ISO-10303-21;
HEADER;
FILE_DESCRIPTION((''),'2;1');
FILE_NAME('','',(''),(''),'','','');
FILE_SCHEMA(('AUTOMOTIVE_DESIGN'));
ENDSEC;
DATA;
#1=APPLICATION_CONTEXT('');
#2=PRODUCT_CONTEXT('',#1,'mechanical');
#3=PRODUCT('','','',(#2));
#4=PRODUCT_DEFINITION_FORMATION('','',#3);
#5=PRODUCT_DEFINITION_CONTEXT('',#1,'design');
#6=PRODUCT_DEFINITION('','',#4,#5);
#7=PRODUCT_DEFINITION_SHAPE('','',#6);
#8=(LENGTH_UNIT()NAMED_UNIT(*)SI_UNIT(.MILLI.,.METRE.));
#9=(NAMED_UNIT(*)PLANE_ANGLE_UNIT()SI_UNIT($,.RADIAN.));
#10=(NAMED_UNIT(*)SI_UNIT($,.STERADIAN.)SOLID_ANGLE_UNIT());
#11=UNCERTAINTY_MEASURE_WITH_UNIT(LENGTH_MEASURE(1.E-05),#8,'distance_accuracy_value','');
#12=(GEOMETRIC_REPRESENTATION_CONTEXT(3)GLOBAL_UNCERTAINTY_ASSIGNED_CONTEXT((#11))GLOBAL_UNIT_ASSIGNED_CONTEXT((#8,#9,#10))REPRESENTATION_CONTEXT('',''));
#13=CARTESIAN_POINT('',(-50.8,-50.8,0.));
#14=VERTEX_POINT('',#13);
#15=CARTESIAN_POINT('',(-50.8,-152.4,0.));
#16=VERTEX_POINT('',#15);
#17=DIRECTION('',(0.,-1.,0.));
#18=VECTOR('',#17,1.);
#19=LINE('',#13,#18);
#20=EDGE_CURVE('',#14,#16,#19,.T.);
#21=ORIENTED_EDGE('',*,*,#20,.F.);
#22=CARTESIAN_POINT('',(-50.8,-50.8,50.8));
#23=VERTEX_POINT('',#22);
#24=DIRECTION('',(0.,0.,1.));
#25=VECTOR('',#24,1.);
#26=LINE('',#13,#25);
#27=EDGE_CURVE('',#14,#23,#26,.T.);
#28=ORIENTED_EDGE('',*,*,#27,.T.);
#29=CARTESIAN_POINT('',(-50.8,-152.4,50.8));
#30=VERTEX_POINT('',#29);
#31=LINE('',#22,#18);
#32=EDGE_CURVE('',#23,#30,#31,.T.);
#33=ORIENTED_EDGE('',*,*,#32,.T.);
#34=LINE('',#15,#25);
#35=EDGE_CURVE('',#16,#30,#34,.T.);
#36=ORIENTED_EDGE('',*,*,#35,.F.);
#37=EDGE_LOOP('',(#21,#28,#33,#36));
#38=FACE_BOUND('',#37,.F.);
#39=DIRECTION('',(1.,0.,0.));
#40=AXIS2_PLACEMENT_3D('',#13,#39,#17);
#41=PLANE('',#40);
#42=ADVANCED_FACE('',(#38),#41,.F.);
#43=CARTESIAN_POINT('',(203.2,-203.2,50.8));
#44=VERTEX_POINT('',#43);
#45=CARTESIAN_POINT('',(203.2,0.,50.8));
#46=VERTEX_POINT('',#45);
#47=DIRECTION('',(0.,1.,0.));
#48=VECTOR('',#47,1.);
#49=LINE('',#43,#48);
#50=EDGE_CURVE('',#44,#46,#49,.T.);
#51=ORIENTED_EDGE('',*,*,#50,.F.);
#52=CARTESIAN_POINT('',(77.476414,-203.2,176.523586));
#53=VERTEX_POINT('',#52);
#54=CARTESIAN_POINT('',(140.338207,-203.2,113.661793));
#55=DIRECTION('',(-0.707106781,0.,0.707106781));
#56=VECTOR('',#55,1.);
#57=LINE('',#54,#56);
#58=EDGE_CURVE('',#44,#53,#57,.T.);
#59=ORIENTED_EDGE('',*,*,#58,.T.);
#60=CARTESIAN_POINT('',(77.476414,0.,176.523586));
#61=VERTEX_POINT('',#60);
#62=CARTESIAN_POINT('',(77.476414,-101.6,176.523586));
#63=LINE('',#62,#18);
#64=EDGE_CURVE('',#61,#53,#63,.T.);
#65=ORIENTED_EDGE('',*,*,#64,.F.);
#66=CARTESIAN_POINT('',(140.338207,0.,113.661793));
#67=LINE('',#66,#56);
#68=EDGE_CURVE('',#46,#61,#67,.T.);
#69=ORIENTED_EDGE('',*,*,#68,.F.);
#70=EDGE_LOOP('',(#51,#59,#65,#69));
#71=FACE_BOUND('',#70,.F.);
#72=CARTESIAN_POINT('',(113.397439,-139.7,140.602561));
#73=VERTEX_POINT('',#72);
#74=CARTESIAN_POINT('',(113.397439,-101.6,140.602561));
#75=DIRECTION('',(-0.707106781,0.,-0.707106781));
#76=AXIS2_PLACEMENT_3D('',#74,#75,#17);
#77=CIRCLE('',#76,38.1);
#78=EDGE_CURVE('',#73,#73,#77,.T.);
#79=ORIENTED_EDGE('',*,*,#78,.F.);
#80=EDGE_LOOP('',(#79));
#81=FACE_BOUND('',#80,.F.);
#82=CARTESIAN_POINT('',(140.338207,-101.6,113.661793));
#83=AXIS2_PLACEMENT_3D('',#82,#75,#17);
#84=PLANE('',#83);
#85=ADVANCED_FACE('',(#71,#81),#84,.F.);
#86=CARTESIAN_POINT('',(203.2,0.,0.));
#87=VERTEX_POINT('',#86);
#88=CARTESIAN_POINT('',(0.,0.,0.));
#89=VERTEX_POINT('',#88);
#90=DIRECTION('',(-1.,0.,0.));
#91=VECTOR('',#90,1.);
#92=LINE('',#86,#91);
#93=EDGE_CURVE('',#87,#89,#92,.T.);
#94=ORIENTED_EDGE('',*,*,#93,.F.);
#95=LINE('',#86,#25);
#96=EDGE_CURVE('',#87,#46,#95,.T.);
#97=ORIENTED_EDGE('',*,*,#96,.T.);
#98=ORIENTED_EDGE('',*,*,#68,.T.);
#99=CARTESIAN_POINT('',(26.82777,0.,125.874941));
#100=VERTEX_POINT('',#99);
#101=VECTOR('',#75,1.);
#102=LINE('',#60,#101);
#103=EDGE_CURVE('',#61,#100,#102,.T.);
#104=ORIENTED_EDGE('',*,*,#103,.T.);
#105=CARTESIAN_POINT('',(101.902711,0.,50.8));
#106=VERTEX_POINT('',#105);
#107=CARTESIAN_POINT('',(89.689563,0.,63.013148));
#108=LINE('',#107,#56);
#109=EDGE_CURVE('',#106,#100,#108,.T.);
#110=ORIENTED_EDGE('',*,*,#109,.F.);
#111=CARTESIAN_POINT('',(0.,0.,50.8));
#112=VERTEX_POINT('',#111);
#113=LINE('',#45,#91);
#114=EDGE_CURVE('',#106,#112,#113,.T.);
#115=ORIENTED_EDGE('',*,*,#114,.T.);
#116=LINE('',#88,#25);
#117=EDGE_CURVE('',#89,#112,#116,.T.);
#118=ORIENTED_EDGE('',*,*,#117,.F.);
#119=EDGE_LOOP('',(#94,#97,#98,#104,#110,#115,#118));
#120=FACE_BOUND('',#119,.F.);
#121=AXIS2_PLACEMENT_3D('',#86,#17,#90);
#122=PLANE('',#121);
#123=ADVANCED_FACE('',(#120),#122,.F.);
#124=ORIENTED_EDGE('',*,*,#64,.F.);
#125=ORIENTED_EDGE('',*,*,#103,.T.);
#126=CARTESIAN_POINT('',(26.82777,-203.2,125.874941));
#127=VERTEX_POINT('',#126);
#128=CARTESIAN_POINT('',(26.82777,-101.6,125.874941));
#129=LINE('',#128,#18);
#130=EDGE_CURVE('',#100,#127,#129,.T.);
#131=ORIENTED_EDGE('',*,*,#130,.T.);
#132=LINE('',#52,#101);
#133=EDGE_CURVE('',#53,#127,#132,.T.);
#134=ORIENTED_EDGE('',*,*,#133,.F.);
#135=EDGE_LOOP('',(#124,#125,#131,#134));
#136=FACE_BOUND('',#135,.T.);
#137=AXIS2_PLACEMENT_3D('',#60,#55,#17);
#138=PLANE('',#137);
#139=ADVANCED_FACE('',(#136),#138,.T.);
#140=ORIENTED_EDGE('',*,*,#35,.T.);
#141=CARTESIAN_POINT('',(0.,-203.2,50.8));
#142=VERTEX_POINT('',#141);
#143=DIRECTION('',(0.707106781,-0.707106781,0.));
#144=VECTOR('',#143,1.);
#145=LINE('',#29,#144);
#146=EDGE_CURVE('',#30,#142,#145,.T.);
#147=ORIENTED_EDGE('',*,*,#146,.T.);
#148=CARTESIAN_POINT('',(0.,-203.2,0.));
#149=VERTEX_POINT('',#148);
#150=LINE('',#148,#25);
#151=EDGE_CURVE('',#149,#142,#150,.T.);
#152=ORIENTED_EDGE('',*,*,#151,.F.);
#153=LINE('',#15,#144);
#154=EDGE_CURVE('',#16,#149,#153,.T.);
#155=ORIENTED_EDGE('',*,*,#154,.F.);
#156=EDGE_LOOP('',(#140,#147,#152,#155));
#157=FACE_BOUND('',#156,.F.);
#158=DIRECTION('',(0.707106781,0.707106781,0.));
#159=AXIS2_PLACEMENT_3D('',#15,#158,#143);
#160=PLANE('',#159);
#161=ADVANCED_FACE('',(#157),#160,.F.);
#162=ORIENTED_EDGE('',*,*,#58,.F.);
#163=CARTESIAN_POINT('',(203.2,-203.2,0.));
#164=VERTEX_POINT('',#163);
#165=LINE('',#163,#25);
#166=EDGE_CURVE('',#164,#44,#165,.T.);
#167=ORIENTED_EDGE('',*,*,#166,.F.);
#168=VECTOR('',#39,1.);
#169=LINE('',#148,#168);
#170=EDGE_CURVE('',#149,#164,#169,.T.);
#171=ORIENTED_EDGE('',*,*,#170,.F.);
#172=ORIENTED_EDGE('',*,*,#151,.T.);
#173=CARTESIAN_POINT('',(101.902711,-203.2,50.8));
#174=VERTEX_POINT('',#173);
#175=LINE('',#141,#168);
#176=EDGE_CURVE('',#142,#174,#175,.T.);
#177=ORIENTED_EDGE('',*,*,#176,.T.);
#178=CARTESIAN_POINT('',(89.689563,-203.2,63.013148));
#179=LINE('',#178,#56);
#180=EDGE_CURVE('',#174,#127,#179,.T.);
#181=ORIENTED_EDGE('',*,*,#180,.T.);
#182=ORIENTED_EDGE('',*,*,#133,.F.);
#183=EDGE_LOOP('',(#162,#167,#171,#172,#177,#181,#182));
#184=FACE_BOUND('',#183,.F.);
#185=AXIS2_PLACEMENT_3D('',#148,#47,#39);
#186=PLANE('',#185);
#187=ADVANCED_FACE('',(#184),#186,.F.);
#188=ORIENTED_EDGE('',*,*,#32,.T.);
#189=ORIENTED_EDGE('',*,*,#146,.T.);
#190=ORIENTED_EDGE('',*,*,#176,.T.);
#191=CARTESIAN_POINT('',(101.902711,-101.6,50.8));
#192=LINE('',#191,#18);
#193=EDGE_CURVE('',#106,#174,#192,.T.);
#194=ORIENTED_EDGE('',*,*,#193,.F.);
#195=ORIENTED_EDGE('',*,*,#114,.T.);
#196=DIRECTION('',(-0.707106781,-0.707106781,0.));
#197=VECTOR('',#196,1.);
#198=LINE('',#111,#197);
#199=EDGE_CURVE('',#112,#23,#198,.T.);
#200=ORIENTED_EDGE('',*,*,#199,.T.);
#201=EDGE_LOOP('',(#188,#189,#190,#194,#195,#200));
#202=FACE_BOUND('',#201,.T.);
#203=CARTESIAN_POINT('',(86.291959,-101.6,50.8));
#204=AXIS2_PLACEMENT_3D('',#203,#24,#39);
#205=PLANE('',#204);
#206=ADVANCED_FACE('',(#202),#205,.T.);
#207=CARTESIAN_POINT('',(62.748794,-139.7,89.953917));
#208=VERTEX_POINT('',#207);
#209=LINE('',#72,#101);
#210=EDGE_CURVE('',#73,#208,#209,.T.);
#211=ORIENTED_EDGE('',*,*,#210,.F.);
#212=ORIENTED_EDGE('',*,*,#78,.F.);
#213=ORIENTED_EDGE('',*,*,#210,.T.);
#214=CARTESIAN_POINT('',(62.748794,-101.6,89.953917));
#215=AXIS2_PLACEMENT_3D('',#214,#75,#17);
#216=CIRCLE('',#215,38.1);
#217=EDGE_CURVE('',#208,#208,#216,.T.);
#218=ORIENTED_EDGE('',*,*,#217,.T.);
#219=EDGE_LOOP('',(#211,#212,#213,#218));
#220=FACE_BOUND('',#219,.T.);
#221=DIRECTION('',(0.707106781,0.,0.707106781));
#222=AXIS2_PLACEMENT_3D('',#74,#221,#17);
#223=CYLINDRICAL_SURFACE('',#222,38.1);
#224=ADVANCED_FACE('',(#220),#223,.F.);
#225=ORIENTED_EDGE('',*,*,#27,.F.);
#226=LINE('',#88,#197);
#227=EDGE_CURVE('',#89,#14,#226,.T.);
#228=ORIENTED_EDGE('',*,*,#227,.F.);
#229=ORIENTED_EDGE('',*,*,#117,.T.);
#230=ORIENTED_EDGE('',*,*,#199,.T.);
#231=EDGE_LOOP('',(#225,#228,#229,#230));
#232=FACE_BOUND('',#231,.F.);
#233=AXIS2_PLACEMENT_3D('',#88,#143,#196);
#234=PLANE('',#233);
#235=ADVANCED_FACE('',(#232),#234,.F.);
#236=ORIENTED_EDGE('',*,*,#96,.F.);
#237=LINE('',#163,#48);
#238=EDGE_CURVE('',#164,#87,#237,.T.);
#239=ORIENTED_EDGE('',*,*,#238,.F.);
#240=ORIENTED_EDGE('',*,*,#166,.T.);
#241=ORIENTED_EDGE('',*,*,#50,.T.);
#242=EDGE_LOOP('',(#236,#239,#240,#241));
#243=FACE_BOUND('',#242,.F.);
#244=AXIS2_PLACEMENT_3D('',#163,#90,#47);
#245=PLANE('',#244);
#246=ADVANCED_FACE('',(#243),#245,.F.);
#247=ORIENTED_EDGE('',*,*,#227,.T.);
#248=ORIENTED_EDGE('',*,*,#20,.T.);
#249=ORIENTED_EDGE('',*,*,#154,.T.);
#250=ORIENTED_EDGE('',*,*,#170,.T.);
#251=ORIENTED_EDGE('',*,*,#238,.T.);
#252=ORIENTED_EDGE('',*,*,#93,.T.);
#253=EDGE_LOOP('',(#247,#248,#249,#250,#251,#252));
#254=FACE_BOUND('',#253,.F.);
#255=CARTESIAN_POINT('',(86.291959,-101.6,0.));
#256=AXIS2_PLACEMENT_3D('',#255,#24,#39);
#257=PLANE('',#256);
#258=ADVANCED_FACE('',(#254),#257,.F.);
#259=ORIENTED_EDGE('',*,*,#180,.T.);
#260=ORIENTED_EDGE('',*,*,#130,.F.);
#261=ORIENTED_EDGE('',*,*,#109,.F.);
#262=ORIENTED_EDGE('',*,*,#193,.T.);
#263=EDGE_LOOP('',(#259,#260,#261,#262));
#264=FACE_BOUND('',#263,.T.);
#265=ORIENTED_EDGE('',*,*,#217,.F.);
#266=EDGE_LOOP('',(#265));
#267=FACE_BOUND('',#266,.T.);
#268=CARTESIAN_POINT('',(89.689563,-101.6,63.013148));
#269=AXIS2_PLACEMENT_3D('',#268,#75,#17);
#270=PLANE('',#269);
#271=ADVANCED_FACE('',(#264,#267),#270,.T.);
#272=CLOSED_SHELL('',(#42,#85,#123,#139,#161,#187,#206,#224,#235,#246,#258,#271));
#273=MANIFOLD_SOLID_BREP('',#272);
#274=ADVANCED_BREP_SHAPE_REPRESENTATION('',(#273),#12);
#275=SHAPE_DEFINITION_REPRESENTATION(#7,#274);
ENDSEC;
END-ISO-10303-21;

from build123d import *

# Parameters (mm, degrees)
F1_DEPTH = 50.8
F4_W     = 203.2
F4_H     = 177.8
F4_R     = 38.1
F5_DEPTH = 71.628


with BuildPart() as f1:
    # F0 (on Top) → F1 (new body)
    with BuildSketch(Plane.XY):
        Polygon((203.2, 0), (0, 0), (-50.8, -50.8), (-50.8, -152.4), (0, -203.2), (203.2, -203.2), align=None)
    extrude(amount=F1_DEPTH)

    # F4 (on 3pt) → F5 (join)
    with BuildSketch(Plane(origin=(127, 0, 127), x_dir=(0, -1, 0), z_dir=(-0.7071067812, 0, -0.7071067812))):
        with Locations((101.6, -18.8630734528)):
            Rectangle(F4_W, F4_H)
        with Locations((101.6, 19.2369265472)):
            Circle(F4_R, mode=Mode.SUBTRACT)
    extrude(amount=F5_DEPTH)


solid = f1.part
